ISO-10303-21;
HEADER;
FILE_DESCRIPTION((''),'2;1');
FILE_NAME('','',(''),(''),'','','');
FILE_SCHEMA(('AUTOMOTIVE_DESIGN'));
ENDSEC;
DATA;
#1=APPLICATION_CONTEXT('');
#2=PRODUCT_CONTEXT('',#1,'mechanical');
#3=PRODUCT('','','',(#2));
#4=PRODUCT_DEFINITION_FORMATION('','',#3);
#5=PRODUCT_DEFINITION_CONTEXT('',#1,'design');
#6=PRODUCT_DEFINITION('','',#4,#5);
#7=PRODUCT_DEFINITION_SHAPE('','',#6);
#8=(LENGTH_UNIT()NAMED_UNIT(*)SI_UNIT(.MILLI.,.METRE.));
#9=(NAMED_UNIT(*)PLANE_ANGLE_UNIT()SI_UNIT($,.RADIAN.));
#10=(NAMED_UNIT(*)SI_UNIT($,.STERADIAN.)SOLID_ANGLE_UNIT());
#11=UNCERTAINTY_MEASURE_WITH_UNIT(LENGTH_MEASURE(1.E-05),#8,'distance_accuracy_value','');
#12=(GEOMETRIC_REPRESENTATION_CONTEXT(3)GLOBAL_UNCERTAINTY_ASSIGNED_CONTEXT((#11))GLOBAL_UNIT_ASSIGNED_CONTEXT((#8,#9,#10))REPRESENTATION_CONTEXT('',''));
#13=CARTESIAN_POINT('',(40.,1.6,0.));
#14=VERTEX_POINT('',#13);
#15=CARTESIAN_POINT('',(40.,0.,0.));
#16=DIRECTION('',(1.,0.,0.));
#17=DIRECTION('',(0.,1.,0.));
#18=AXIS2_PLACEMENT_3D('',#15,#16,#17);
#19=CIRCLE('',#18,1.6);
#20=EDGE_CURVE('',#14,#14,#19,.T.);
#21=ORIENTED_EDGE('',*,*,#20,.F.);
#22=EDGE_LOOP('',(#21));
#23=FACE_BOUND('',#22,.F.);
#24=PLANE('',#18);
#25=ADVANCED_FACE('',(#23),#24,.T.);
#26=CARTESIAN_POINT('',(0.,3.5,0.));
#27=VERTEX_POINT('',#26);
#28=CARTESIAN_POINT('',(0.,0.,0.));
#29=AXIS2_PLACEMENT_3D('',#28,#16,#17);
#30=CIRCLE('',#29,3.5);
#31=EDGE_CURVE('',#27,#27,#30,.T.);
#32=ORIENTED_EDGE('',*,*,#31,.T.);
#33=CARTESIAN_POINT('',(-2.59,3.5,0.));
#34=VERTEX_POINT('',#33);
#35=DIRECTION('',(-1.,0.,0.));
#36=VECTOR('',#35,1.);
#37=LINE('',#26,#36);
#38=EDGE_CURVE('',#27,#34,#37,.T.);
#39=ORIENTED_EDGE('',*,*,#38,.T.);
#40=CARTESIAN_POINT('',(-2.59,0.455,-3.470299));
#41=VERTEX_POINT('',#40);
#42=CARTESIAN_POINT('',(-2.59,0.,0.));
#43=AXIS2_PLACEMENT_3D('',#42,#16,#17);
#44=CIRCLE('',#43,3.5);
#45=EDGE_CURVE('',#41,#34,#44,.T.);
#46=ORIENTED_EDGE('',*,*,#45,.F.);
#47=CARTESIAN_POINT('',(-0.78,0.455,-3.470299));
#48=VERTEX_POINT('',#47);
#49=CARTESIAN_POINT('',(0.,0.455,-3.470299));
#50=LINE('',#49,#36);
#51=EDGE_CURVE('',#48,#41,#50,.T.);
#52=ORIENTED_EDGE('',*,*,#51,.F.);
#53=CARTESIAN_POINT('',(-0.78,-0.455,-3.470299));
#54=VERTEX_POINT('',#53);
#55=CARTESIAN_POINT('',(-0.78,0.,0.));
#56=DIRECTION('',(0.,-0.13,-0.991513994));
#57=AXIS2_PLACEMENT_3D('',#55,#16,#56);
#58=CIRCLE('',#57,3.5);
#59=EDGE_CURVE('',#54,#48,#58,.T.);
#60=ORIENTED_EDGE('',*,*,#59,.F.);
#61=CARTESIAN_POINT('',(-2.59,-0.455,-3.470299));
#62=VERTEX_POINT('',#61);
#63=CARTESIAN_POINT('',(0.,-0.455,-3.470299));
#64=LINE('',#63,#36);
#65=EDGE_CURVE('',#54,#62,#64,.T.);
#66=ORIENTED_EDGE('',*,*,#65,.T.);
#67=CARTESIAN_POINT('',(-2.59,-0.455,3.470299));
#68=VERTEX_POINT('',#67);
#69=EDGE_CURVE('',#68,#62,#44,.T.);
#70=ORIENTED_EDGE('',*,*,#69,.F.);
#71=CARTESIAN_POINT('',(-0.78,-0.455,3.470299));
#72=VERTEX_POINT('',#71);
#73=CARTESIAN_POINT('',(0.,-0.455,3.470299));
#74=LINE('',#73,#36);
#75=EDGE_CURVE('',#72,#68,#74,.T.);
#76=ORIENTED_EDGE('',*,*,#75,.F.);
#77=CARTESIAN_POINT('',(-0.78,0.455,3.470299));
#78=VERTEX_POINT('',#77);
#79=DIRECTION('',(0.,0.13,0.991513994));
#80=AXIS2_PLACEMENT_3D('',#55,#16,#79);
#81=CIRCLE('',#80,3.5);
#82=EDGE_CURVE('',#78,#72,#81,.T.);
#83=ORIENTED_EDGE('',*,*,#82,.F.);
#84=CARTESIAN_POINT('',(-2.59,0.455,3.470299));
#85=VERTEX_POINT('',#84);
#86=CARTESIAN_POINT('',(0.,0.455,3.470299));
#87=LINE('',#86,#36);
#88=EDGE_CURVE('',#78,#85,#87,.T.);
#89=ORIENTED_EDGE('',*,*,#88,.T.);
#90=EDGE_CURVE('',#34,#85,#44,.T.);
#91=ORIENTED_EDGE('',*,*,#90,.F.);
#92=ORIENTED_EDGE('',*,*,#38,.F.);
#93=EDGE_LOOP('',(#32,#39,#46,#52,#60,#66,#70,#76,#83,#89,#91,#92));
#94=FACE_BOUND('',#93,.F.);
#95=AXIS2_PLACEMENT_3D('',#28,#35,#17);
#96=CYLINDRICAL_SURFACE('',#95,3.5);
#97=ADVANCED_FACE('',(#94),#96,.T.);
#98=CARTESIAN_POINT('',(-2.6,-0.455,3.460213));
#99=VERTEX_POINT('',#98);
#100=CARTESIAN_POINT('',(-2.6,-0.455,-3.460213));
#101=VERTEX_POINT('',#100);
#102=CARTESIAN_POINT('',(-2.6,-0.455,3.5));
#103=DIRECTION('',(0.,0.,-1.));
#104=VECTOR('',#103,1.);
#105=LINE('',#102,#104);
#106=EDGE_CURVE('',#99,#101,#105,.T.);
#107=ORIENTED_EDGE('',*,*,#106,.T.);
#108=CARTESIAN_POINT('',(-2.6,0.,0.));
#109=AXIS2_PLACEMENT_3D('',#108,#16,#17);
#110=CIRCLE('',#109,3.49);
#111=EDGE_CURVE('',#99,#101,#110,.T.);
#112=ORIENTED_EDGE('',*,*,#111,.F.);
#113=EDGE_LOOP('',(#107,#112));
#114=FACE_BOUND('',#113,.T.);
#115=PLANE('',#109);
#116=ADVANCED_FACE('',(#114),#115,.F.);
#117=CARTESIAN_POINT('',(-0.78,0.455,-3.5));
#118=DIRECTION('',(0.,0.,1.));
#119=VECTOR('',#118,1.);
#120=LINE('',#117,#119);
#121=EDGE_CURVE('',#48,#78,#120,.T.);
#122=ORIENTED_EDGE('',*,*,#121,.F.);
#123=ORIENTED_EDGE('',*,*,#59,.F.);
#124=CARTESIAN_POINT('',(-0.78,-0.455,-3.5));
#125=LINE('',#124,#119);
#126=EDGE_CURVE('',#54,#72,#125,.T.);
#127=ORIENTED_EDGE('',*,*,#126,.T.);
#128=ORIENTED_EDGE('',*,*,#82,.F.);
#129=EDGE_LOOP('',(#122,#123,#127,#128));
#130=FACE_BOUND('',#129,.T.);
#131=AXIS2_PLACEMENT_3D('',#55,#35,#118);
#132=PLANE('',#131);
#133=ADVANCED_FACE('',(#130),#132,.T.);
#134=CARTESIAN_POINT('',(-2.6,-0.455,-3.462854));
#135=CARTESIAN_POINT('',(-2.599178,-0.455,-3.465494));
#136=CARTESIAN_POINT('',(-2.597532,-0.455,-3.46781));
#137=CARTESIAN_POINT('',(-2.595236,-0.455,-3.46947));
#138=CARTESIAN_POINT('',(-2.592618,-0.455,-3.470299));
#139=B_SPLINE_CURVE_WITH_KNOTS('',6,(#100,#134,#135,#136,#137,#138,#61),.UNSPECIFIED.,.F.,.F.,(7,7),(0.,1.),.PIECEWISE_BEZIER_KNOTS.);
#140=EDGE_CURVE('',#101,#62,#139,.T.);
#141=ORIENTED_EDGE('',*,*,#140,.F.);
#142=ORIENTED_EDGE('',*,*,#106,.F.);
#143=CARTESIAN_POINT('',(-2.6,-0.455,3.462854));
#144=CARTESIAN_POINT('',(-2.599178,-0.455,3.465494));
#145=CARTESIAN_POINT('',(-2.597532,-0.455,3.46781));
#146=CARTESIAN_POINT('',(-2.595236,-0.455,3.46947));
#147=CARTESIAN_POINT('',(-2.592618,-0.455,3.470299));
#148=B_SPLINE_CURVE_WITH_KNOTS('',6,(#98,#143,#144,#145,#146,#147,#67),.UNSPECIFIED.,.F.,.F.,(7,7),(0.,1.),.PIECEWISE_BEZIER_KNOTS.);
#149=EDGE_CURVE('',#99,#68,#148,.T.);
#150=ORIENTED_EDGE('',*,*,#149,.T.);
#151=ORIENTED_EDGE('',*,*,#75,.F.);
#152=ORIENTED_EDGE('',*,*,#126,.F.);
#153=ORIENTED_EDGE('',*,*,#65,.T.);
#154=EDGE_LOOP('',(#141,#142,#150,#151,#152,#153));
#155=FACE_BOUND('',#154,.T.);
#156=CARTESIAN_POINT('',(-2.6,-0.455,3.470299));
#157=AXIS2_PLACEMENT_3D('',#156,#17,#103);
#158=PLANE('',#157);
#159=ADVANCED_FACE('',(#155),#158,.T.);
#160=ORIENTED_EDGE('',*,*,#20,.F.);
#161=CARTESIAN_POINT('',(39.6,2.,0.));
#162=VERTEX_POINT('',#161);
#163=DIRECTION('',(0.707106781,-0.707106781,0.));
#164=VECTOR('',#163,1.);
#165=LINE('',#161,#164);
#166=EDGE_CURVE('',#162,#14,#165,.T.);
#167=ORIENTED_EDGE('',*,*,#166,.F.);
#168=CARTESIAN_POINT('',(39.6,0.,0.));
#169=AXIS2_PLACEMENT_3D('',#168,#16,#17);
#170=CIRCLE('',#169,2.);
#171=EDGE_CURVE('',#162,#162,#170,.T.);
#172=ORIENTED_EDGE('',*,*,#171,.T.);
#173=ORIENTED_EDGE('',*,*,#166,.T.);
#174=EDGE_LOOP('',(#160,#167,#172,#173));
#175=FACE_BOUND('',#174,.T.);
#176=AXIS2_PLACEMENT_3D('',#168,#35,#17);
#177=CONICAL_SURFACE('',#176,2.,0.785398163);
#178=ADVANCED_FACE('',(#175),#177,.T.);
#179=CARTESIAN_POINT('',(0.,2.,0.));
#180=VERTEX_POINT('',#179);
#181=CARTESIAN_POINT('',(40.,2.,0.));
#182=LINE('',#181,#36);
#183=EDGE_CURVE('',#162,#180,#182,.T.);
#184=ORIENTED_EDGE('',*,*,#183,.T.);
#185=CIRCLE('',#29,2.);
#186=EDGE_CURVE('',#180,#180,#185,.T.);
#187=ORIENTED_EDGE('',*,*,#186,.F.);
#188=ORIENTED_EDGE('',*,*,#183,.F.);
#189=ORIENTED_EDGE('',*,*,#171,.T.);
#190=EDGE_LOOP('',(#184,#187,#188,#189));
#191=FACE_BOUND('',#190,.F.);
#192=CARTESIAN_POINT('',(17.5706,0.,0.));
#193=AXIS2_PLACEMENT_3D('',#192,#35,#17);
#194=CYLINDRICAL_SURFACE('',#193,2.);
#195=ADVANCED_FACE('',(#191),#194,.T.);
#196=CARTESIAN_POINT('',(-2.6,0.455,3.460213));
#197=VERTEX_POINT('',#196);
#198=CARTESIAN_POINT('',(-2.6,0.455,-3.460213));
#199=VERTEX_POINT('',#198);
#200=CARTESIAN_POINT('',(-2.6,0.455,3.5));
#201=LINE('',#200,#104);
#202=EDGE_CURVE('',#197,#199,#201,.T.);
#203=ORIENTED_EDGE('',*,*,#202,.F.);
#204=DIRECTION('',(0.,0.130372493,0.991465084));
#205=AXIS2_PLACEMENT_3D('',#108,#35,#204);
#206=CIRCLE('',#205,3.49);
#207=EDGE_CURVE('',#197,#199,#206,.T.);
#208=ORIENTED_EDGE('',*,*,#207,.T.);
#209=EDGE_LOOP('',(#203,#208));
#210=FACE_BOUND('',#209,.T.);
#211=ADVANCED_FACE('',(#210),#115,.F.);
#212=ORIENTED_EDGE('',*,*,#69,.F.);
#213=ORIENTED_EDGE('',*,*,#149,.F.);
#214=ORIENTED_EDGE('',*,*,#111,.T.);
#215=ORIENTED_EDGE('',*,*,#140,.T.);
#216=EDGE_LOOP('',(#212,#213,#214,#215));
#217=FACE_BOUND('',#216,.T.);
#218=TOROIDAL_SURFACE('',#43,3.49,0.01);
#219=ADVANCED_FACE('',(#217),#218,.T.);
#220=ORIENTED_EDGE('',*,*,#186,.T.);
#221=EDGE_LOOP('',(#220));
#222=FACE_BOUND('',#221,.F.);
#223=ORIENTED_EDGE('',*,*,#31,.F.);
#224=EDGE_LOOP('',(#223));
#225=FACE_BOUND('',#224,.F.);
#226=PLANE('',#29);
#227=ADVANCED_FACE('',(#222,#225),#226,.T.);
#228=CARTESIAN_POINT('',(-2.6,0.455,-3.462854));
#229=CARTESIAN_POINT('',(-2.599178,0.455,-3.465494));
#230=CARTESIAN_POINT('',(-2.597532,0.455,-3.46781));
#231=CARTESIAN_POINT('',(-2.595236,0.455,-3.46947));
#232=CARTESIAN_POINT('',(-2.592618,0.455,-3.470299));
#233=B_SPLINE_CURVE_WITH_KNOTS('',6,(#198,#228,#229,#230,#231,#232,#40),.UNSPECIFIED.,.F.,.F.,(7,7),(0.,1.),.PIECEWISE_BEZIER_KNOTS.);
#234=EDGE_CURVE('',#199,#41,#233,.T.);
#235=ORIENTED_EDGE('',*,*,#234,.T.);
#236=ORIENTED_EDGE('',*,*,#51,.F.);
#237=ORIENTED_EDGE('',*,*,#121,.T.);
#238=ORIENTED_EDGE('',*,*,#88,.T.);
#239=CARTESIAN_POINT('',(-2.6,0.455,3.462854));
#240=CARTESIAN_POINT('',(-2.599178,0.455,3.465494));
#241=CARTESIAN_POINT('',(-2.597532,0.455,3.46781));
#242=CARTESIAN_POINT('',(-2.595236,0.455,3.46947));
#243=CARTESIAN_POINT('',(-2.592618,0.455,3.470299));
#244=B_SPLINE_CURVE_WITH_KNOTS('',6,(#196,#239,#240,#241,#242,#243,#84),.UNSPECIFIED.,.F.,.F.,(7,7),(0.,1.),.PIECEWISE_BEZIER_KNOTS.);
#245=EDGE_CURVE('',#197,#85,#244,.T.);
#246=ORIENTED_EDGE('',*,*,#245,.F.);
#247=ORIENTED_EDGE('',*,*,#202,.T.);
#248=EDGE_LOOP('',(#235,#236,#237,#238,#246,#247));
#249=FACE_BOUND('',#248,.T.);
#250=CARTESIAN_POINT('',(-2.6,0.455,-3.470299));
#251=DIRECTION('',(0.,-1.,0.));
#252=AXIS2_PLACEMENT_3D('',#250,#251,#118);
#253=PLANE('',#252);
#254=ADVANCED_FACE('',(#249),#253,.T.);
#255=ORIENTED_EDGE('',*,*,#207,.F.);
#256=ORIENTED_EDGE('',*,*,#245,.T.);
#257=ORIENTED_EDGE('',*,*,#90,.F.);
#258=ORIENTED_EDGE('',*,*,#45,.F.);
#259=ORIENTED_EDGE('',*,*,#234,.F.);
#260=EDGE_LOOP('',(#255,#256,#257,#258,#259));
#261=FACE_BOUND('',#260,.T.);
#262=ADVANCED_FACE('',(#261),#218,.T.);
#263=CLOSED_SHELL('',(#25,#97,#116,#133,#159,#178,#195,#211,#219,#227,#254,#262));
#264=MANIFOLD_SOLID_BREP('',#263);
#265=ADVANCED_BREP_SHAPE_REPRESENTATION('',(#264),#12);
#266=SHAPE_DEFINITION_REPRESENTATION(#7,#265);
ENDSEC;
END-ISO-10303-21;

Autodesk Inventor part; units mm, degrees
ref_plane "YZ Plane" through (0, 0, 0) normal (1, 0, 0) x (0, 1, 0)
ref_plane "XZ Plane" through (0, 0, 0) normal (0, 1, 0) x (-1, 0, 0)
sketch "Эскиз1" plane through (0, 0, 0) normal (0, 0, 1) x (1, 0, 0)
  line L0 (-2.6, 0) -> (40, 0)
  line L1 (40, 0) -> (40, 2)
  line L2 (40, 2) -> (18, 2)
  line L3 (18, 2) -> (17.5706, 2)
  line L4 (17.5706, 2) -> (0, 2)
  line L5 (0, 2) -> (0, 3.5)
  line L6 (-11.12, 0) -> (48.52, 0) projected
  line L7 (0, -0.7) -> (0, 4.2) projected
  line L8 (-2.6, 0) -> (-2.6, 3.5)
  line L9 (0, 3.5) -> (-2.6, 3.5)
  dimension "d0" = 40
  dimension "d1" = 22
  dimension "d2" = 0.4294
  dimension "d3" = 2.6
  dimension "d4" = 4
  dimension "d5" = 4
  dimension "d9" = 7
  dimension "d10" = 0
revolve "Базовый элемент" add sketch "Эскиз1" angle 360 about axis through (-2.6, 0, 0) along (1, 0, 0)
sketch "Эскиз2" plane through (-2.6, 0, 0) normal (-1, 0, 0) x (0, 0, 1)
  circle A0 centre (0, 0) radius 3.5 projected
  line L0 (0, 0) -> (0, 3.5) projected
  line L1 (-3.5, 0.455) -> (3.5, 0.455)
  line L2 (3.5, 0.455) -> (3.5, -0.455)
  line L3 (3.5, -0.455) -> (-3.5, -0.455)
  line L4 (-3.5, -0.455) -> (-3.5, 0.455)
  line L5 (-3.5, 0) -> (3.5, 0) construction
  line L6 (0, 0.455) -> (0, -0.455) construction
  dimension "d11" = 0.91
  dimension "d12" = 7
fillet "Сопряжение1" radius 0.01 1 edges at (-2.6, -3.5, 0)
extrude "Паз" cut sketch "Эскиз2" against normal blind 1.82 contours A0 L3 L1 | L2 L3 A0 | A0 L1 L2 | L3 L4 A0 | A0 L4 L1
thread "Резьба" size "M4x0.7" class "6g" standard "ISO Metric profile" length 22
chamfer "Chamfer4" distance 0.4 angle 45 1 edges at (40, -2, 0)
ref_plane "Work Plane1" through (30.1625, 0, 0) normal (0, 0, -1) x (1, 0, 0)
equation "\"d11\" = SBR"
equation "\"d12\" = KOD"
equation "\"d13\" = RR"
equation "\"d16\" = STI"
equation "\"d14\" = GEL"
equation "\"d40\" = 0.1 * GD"
equation "\"d0\" = NLG"
equation "\"d1\" = GEL"
equation "\"d2\" = GAL"
equation "\"d3\" = KOH"
equation "\"d4\" = GD"
equation "\"d5\" = BDM"
equation "\"d9\" = KOD"
equation "\"GD\" = NND"
equation "\"NLG\" = 40"
equation "\"GEL\" = 22"
equation "\"KOD\" = 7"
equation "\"KOH\" = 2.6"
equation "\"GAL\" = 0.61345 * PTC"
equation "\"BDM\" = NND"
equation "\"RR\" = 0.01"
equation "\"SBR\" = 0.91"
equation "\"STI\" = 1.82"
equation "\"KEWI\" = 0"
equation "\"GUL\" = 0.61345 * PTC"
equation "\"SPD\" = NND - 1.2269 * PTC"
equation "\"PTC\" = 0.7"
equation "\"THREADDIA\" = 4"
equation "\"TOA\" = 30deg"
equation "\"FAWI\" = 45deg"
equation "\"NND\" = 4"
equation "\"GD1\" = THREADDIA - 1.2269 * PTC"
properties part number "Винт M4-6gx40 ГОСТ 1491-80" material "Сталь, мягкая"
